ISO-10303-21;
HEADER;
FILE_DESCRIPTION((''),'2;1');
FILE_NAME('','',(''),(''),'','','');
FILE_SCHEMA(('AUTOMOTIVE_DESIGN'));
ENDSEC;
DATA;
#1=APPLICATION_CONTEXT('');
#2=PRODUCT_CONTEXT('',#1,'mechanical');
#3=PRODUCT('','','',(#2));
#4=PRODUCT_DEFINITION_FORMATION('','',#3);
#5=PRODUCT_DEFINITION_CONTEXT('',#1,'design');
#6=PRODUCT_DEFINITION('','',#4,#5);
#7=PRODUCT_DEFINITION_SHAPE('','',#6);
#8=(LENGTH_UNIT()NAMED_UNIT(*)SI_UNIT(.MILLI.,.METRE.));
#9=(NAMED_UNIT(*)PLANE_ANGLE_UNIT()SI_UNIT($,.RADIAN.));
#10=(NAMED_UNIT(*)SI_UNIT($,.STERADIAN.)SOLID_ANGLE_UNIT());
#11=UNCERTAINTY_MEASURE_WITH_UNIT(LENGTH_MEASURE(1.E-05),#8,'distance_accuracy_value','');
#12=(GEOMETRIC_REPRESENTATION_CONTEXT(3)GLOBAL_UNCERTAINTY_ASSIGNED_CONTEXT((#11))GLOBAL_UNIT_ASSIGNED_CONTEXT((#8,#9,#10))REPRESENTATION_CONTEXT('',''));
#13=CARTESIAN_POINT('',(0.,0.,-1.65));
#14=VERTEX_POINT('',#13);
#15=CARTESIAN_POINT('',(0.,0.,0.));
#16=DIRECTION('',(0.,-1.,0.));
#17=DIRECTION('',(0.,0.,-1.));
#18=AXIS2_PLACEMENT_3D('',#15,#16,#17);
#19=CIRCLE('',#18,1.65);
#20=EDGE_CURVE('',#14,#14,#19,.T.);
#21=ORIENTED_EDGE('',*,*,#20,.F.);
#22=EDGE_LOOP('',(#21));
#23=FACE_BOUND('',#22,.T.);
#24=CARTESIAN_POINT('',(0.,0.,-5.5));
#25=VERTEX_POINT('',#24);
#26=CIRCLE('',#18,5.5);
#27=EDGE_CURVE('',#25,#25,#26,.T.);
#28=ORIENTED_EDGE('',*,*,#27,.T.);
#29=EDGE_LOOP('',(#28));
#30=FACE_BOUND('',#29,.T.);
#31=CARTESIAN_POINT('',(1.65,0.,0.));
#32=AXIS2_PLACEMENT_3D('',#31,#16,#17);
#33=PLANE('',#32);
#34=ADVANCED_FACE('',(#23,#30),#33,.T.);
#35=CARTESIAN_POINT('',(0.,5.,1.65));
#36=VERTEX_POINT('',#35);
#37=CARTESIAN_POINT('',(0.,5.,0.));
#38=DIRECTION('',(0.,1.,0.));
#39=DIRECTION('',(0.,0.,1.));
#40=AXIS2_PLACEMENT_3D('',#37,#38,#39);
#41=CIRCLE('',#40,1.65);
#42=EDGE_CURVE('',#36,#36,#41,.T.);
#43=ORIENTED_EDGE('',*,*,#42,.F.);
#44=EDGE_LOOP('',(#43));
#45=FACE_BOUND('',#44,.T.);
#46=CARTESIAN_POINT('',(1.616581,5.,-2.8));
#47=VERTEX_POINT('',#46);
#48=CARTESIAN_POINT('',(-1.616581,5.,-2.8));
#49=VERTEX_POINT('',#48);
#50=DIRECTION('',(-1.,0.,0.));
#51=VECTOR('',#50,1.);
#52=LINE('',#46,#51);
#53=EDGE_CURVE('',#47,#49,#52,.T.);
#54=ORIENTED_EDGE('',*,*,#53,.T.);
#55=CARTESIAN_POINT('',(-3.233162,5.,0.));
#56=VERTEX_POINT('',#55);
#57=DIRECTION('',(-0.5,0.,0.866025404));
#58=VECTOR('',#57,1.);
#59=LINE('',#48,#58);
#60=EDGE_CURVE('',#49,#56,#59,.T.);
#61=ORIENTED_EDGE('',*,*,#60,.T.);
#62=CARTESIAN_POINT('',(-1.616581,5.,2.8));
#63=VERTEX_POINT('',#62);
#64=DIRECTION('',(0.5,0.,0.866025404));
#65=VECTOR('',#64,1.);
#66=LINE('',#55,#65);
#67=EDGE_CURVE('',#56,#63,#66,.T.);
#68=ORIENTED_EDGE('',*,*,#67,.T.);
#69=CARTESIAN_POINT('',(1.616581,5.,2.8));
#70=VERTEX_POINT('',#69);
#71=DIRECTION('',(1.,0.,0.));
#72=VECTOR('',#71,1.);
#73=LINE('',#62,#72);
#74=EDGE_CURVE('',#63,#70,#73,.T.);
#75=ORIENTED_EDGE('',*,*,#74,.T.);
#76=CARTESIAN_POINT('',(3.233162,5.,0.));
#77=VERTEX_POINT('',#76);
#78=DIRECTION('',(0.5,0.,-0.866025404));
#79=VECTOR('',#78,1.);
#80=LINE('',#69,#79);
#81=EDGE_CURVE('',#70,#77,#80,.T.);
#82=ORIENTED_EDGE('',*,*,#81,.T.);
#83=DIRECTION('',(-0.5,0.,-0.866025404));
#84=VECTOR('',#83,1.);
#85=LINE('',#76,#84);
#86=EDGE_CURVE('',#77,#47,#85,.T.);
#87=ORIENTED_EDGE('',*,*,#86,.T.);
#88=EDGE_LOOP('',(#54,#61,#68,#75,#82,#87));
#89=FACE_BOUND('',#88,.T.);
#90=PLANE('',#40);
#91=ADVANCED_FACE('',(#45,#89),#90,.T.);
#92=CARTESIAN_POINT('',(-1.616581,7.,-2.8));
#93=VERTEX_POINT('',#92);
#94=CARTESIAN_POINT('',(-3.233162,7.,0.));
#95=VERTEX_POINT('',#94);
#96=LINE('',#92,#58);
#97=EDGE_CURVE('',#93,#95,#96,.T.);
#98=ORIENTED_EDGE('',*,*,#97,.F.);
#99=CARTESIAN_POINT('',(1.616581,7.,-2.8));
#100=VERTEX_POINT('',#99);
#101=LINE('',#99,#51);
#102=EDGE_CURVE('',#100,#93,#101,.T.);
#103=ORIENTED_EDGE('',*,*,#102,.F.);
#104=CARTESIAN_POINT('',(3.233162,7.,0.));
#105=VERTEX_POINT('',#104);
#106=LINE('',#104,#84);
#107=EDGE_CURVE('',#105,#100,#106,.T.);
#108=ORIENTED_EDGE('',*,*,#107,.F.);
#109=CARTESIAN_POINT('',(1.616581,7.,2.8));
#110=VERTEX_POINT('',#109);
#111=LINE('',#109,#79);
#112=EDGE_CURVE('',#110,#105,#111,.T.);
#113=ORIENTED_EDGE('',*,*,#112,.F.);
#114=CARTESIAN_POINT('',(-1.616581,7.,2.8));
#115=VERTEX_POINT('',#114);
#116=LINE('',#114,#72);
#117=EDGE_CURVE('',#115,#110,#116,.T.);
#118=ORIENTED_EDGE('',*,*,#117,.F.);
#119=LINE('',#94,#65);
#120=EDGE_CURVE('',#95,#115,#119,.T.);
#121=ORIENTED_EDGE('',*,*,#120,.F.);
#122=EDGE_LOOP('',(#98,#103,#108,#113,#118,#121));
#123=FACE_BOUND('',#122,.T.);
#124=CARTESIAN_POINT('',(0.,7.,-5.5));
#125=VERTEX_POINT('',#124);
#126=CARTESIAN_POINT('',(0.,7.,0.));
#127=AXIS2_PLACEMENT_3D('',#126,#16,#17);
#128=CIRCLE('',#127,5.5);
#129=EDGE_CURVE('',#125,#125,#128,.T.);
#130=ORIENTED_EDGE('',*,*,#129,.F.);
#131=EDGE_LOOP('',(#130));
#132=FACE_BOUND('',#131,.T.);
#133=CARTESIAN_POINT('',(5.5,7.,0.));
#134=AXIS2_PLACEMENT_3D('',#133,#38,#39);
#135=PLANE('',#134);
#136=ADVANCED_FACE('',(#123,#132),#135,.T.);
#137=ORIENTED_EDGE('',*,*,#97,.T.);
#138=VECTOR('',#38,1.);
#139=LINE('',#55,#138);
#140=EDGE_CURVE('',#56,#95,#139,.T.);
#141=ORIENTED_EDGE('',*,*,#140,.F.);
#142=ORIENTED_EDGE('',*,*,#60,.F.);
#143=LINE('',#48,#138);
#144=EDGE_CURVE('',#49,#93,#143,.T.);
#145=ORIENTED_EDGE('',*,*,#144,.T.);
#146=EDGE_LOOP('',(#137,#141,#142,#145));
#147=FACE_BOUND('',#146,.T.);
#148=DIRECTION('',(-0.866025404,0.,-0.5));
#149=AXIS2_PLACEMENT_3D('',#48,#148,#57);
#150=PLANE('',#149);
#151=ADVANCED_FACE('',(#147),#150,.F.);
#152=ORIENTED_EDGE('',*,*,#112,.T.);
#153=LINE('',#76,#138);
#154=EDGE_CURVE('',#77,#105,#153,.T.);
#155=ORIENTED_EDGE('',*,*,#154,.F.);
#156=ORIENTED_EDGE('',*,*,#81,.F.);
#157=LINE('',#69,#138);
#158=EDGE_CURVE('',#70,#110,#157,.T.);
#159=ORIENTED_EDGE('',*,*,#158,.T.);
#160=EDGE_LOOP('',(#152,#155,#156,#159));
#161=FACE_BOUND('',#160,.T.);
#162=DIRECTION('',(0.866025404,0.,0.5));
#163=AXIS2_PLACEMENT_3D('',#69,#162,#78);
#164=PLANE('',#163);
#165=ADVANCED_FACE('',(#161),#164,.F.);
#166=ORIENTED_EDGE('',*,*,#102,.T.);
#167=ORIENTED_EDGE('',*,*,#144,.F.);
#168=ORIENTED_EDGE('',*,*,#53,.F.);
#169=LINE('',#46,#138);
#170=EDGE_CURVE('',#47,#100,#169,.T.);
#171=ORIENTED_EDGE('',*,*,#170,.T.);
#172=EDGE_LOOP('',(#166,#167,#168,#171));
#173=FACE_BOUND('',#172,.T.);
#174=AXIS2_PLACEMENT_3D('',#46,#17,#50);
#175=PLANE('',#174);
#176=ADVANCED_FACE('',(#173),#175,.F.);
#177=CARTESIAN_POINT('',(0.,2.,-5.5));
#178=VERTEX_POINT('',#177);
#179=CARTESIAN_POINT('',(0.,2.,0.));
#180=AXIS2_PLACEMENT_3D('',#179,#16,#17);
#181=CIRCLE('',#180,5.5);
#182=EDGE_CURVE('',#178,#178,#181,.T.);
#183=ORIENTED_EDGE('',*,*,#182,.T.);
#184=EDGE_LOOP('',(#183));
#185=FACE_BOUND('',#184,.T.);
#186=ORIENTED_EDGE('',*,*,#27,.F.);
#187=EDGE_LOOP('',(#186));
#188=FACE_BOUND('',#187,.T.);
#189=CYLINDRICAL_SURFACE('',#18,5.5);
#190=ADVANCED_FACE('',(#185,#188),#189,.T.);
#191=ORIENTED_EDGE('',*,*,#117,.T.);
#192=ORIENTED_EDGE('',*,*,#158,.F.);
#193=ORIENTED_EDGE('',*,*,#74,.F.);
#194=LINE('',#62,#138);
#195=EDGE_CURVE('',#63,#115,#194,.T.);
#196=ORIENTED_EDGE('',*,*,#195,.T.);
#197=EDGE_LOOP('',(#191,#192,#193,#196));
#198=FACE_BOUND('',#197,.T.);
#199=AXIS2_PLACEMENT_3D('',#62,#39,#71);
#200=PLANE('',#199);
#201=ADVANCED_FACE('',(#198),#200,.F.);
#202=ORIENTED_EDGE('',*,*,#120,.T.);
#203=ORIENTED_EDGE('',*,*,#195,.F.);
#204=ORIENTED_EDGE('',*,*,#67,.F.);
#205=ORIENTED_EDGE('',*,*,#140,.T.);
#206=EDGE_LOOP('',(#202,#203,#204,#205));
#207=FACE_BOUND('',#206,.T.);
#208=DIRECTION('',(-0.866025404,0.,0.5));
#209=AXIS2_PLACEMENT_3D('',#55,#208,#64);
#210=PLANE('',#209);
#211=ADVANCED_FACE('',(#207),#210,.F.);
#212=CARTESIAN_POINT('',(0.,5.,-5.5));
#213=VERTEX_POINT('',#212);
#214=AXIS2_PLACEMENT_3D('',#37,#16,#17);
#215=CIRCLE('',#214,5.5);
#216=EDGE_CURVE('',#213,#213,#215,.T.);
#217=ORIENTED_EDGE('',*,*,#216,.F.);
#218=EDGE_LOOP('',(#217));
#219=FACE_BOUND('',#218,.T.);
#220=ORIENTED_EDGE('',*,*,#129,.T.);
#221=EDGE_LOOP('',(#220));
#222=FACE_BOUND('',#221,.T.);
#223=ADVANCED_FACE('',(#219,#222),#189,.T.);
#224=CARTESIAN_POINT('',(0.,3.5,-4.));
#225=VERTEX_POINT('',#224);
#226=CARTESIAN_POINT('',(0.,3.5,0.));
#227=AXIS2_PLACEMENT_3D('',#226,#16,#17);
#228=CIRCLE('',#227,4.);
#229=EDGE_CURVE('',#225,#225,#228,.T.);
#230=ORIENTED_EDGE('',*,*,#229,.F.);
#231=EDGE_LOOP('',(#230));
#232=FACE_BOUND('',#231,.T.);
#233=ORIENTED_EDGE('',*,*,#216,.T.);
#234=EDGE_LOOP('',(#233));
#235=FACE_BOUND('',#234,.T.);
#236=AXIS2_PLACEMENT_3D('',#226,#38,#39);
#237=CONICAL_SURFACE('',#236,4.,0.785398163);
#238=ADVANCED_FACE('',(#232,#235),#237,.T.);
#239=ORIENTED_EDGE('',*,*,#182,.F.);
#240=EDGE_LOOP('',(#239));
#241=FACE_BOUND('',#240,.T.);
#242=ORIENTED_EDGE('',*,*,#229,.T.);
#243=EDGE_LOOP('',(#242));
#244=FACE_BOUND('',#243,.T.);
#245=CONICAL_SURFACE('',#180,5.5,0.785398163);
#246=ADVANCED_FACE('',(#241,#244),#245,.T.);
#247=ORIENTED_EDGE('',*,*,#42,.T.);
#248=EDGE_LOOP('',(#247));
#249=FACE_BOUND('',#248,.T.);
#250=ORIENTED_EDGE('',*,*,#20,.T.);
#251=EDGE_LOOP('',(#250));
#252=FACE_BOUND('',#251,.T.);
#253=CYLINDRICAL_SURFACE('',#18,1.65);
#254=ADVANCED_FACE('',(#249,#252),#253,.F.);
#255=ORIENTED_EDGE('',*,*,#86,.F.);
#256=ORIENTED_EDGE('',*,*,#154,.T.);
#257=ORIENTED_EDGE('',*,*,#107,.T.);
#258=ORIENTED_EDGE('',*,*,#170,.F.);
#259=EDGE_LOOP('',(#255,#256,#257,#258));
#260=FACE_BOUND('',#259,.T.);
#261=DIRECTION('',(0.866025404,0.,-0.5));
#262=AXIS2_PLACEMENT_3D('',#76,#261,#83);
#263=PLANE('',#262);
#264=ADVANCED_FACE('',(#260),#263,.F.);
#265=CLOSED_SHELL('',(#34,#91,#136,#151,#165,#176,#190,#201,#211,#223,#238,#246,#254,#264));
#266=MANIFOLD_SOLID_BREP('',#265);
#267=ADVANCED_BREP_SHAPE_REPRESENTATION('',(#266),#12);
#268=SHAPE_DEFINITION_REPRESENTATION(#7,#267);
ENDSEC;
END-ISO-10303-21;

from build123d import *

# Parameters (mm, degrees)
CORTE_EXTRUS_O1_DEPTH = 2


with BuildPart() as part:
    # Esboço1 → Revolução1 (revolve)
    with BuildSketch(Plane.XY):
        Polygon((1.65, 0), (5.5, 0), (5.5, 2), (4, 3.5), (5.5, 5), (5.5, 7), (1.65, 7), align=None)
    revolve(axis=Axis((0, 0, 0), (0, 1, 0)))

    # Esboço2 → Corte-extrusão1 (cut)
    with BuildSketch(Plane(origin=(0, 7, 0), x_dir=(1, 0, 0), z_dir=(0, 1, 0))):
        Polygon((3.233161507, 0), (1.616580754, 2.8), (-1.616580754, 2.8), (-3.233161507, 0), (-1.616580754, -2.8), (1.616580754, -2.8), align=None)
    extrude(amount=-CORTE_EXTRUS_O1_DEPTH, mode=Mode.SUBTRACT)


solid = part.part
